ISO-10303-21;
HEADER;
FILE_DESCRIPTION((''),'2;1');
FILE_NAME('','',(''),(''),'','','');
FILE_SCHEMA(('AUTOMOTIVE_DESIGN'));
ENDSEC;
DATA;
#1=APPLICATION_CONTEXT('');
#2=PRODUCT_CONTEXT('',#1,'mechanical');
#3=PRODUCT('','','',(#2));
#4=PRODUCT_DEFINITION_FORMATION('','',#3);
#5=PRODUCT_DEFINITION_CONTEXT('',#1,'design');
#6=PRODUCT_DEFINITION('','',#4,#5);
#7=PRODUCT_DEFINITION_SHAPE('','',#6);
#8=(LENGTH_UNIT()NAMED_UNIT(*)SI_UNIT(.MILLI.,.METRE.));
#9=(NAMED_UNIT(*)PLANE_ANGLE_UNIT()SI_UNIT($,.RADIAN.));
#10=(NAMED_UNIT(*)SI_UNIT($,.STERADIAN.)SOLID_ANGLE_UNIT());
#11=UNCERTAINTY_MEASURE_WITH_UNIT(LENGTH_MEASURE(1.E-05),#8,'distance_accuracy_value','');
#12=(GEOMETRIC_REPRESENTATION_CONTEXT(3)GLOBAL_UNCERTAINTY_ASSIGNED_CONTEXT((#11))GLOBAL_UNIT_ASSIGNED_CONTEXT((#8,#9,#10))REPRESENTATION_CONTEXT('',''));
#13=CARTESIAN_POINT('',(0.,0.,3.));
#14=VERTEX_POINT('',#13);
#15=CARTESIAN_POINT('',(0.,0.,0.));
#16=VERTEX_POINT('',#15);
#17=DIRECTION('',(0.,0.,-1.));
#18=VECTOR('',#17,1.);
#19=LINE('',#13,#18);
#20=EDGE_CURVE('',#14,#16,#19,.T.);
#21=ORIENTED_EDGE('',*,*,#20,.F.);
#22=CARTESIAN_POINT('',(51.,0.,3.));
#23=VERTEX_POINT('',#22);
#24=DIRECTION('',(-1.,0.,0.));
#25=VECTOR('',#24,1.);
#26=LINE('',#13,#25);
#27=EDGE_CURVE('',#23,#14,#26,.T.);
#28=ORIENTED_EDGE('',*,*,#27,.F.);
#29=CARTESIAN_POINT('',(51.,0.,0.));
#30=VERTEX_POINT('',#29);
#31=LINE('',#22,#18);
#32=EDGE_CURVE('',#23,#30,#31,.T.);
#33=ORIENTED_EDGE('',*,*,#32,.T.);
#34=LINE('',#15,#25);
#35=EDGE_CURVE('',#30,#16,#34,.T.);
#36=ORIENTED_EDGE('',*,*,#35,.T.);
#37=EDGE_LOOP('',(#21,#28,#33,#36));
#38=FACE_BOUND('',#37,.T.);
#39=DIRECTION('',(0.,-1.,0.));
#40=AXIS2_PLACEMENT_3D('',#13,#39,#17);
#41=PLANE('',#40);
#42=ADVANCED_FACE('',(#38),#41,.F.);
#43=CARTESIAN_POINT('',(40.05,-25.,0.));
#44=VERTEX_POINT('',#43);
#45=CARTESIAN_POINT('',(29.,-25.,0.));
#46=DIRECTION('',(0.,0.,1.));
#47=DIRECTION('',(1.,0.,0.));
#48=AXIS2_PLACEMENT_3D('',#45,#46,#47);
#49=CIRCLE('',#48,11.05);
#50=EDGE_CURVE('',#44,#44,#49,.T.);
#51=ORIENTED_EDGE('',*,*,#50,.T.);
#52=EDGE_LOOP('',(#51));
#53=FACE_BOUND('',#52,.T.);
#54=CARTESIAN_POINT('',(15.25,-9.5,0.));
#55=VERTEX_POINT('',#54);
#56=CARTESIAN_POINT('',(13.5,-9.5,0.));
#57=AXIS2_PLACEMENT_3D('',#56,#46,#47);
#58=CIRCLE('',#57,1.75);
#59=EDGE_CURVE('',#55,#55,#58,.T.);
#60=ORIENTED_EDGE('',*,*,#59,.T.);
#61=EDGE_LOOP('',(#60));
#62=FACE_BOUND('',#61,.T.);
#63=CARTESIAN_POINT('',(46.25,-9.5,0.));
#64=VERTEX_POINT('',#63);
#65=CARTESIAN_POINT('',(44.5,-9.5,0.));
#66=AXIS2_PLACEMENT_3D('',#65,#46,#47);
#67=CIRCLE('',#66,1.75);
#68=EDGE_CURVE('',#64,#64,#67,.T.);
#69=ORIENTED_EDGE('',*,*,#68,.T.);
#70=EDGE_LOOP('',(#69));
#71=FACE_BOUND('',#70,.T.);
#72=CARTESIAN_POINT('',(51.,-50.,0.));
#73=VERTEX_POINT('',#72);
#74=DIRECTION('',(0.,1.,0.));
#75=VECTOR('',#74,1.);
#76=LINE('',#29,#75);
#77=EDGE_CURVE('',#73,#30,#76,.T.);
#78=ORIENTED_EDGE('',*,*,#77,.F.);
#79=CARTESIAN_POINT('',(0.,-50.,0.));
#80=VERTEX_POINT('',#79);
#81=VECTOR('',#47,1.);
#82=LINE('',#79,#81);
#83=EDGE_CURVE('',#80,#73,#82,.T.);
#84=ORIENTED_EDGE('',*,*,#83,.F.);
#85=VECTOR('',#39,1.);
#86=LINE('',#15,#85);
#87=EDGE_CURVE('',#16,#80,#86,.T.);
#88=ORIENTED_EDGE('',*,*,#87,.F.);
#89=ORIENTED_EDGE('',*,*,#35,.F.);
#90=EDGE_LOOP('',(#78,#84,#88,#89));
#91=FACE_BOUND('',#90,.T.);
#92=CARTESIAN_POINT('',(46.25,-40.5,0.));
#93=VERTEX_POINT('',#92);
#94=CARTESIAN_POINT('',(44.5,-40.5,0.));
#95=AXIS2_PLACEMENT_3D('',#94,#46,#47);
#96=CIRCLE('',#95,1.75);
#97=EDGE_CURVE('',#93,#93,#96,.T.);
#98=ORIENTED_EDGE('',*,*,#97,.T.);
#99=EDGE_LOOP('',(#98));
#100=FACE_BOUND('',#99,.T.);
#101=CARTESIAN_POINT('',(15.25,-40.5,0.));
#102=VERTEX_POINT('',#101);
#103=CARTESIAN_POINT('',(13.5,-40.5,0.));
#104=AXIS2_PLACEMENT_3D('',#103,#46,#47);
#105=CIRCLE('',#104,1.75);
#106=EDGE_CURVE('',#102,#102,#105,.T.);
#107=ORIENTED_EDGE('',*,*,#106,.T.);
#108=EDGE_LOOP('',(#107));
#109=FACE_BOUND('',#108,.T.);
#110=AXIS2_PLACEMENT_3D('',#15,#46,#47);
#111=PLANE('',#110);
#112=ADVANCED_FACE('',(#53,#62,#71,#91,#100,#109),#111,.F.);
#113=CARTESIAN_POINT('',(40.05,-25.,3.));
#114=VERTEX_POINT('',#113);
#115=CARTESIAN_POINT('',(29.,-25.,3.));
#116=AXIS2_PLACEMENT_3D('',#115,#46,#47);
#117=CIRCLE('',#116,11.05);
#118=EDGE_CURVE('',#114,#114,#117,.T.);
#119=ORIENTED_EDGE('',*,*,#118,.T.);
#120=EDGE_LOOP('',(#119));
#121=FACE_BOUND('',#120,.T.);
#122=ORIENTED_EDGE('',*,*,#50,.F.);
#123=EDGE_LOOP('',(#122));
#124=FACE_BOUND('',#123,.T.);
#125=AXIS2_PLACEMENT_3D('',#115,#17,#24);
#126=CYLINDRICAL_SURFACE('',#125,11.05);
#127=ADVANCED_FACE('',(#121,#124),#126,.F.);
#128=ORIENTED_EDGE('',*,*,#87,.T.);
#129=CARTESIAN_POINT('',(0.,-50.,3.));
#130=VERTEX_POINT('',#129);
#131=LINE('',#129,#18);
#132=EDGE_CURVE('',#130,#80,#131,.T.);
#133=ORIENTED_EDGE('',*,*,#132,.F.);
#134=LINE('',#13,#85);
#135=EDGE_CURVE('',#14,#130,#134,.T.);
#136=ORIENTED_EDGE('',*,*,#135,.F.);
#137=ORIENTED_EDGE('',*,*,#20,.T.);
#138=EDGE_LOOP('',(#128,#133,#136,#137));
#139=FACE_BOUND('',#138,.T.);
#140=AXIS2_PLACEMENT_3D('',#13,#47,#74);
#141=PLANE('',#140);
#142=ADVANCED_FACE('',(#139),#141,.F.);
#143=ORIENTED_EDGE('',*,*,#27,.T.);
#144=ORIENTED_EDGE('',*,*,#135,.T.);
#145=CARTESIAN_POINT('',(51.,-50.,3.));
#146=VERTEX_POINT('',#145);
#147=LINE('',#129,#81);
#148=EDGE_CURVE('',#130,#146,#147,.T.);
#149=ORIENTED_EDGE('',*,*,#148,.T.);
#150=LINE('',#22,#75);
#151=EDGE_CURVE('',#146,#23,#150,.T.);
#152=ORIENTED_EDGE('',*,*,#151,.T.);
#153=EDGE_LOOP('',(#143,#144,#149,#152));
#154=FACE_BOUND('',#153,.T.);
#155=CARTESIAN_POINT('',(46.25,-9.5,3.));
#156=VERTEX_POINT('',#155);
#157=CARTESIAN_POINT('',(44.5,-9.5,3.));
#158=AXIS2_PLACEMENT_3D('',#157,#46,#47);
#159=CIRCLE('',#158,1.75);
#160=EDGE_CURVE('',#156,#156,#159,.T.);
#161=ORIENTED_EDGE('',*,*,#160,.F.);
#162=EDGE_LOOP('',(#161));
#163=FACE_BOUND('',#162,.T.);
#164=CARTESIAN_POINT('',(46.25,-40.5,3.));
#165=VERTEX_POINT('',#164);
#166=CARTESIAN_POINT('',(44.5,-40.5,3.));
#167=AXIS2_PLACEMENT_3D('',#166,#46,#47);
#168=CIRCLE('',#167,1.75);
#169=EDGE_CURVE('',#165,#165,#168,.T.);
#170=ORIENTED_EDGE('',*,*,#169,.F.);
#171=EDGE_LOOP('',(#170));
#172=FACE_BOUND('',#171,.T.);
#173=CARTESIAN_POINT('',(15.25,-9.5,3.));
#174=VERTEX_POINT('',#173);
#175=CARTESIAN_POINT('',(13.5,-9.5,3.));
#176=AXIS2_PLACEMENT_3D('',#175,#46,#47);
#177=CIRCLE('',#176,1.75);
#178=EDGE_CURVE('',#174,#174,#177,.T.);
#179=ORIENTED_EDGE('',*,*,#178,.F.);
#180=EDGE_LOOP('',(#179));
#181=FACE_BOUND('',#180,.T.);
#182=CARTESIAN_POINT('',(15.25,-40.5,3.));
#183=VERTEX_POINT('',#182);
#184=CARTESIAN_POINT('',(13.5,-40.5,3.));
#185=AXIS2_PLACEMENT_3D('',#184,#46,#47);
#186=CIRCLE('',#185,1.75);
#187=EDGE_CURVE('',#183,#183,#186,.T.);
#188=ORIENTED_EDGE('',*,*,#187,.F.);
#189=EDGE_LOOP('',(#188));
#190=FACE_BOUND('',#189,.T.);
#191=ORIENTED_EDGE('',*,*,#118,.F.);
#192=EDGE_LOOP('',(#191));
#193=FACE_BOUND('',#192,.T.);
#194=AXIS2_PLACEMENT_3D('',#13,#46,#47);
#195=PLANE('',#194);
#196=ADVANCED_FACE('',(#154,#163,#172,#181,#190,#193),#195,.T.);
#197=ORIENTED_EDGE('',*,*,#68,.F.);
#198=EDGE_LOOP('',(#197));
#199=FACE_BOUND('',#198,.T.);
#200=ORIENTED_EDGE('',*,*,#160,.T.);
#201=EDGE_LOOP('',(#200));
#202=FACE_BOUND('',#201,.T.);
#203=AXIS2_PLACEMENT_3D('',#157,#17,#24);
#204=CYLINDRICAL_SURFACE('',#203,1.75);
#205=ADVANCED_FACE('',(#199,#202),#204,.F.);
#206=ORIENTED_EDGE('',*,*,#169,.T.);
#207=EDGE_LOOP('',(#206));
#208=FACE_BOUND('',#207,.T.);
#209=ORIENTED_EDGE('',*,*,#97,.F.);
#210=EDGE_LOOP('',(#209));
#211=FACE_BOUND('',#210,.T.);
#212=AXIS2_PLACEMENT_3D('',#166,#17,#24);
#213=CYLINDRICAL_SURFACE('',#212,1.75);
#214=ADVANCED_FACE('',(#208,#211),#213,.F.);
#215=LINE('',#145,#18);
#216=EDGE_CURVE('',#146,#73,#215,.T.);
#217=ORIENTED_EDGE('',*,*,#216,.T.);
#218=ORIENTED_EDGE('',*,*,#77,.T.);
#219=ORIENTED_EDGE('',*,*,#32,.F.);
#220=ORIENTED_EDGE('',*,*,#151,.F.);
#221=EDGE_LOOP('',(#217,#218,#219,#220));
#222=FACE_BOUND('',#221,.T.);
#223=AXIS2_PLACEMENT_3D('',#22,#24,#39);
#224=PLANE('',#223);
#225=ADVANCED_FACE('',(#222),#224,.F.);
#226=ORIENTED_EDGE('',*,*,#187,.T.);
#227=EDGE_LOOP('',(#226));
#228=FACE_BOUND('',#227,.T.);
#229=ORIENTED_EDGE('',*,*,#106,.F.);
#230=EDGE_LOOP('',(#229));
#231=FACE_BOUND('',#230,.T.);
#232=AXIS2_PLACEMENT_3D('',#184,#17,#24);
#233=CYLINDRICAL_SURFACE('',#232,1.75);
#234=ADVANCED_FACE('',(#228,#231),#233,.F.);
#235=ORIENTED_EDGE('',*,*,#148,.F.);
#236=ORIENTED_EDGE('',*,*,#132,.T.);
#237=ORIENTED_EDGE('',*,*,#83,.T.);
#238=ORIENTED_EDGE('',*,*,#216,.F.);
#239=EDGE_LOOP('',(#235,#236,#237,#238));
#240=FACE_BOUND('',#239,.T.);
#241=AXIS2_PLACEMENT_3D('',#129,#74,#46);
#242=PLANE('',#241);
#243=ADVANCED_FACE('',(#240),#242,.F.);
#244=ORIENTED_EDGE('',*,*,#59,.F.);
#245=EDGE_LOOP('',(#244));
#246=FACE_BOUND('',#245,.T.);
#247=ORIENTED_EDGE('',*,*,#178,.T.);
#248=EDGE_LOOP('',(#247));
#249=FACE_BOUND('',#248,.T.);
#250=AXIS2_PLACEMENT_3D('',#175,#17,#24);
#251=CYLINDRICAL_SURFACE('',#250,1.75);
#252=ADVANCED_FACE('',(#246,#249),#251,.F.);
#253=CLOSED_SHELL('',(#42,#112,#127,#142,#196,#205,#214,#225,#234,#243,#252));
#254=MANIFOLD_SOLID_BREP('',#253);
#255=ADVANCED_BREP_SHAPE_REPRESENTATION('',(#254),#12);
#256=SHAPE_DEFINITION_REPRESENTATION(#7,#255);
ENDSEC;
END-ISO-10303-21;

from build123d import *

# Parameters (mm, degrees)
CROQUIS1_W              = 51
CROQUIS1_H              = 50
CROQUIS1_R              = 11.05
CROQUIS1_R_2            = 1.75
SALIENTE_EXTRUIR1_DEPTH = 3


with BuildPart() as part:
    # Croquis1 → Saliente-Extruir1 (new body)
    with BuildSketch(Plane.XY):
        with Locations((25.5, -25)):
            Rectangle(CROQUIS1_W, CROQUIS1_H)
        with Locations((29, -25)):
            Circle(CROQUIS1_R, mode=Mode.SUBTRACT)
        with Locations((44.5, -40.5)):
            Circle(CROQUIS1_R_2, mode=Mode.SUBTRACT)
        with Locations((13.5, -40.5)):
            Circle(CROQUIS1_R_2, mode=Mode.SUBTRACT)
        with Locations((13.5, -9.5)):
            Circle(CROQUIS1_R_2, mode=Mode.SUBTRACT)
        with Locations((44.5, -9.5)):
            Circle(CROQUIS1_R_2, mode=Mode.SUBTRACT)
    extrude(amount=SALIENTE_EXTRUIR1_DEPTH)


solid = part.part
